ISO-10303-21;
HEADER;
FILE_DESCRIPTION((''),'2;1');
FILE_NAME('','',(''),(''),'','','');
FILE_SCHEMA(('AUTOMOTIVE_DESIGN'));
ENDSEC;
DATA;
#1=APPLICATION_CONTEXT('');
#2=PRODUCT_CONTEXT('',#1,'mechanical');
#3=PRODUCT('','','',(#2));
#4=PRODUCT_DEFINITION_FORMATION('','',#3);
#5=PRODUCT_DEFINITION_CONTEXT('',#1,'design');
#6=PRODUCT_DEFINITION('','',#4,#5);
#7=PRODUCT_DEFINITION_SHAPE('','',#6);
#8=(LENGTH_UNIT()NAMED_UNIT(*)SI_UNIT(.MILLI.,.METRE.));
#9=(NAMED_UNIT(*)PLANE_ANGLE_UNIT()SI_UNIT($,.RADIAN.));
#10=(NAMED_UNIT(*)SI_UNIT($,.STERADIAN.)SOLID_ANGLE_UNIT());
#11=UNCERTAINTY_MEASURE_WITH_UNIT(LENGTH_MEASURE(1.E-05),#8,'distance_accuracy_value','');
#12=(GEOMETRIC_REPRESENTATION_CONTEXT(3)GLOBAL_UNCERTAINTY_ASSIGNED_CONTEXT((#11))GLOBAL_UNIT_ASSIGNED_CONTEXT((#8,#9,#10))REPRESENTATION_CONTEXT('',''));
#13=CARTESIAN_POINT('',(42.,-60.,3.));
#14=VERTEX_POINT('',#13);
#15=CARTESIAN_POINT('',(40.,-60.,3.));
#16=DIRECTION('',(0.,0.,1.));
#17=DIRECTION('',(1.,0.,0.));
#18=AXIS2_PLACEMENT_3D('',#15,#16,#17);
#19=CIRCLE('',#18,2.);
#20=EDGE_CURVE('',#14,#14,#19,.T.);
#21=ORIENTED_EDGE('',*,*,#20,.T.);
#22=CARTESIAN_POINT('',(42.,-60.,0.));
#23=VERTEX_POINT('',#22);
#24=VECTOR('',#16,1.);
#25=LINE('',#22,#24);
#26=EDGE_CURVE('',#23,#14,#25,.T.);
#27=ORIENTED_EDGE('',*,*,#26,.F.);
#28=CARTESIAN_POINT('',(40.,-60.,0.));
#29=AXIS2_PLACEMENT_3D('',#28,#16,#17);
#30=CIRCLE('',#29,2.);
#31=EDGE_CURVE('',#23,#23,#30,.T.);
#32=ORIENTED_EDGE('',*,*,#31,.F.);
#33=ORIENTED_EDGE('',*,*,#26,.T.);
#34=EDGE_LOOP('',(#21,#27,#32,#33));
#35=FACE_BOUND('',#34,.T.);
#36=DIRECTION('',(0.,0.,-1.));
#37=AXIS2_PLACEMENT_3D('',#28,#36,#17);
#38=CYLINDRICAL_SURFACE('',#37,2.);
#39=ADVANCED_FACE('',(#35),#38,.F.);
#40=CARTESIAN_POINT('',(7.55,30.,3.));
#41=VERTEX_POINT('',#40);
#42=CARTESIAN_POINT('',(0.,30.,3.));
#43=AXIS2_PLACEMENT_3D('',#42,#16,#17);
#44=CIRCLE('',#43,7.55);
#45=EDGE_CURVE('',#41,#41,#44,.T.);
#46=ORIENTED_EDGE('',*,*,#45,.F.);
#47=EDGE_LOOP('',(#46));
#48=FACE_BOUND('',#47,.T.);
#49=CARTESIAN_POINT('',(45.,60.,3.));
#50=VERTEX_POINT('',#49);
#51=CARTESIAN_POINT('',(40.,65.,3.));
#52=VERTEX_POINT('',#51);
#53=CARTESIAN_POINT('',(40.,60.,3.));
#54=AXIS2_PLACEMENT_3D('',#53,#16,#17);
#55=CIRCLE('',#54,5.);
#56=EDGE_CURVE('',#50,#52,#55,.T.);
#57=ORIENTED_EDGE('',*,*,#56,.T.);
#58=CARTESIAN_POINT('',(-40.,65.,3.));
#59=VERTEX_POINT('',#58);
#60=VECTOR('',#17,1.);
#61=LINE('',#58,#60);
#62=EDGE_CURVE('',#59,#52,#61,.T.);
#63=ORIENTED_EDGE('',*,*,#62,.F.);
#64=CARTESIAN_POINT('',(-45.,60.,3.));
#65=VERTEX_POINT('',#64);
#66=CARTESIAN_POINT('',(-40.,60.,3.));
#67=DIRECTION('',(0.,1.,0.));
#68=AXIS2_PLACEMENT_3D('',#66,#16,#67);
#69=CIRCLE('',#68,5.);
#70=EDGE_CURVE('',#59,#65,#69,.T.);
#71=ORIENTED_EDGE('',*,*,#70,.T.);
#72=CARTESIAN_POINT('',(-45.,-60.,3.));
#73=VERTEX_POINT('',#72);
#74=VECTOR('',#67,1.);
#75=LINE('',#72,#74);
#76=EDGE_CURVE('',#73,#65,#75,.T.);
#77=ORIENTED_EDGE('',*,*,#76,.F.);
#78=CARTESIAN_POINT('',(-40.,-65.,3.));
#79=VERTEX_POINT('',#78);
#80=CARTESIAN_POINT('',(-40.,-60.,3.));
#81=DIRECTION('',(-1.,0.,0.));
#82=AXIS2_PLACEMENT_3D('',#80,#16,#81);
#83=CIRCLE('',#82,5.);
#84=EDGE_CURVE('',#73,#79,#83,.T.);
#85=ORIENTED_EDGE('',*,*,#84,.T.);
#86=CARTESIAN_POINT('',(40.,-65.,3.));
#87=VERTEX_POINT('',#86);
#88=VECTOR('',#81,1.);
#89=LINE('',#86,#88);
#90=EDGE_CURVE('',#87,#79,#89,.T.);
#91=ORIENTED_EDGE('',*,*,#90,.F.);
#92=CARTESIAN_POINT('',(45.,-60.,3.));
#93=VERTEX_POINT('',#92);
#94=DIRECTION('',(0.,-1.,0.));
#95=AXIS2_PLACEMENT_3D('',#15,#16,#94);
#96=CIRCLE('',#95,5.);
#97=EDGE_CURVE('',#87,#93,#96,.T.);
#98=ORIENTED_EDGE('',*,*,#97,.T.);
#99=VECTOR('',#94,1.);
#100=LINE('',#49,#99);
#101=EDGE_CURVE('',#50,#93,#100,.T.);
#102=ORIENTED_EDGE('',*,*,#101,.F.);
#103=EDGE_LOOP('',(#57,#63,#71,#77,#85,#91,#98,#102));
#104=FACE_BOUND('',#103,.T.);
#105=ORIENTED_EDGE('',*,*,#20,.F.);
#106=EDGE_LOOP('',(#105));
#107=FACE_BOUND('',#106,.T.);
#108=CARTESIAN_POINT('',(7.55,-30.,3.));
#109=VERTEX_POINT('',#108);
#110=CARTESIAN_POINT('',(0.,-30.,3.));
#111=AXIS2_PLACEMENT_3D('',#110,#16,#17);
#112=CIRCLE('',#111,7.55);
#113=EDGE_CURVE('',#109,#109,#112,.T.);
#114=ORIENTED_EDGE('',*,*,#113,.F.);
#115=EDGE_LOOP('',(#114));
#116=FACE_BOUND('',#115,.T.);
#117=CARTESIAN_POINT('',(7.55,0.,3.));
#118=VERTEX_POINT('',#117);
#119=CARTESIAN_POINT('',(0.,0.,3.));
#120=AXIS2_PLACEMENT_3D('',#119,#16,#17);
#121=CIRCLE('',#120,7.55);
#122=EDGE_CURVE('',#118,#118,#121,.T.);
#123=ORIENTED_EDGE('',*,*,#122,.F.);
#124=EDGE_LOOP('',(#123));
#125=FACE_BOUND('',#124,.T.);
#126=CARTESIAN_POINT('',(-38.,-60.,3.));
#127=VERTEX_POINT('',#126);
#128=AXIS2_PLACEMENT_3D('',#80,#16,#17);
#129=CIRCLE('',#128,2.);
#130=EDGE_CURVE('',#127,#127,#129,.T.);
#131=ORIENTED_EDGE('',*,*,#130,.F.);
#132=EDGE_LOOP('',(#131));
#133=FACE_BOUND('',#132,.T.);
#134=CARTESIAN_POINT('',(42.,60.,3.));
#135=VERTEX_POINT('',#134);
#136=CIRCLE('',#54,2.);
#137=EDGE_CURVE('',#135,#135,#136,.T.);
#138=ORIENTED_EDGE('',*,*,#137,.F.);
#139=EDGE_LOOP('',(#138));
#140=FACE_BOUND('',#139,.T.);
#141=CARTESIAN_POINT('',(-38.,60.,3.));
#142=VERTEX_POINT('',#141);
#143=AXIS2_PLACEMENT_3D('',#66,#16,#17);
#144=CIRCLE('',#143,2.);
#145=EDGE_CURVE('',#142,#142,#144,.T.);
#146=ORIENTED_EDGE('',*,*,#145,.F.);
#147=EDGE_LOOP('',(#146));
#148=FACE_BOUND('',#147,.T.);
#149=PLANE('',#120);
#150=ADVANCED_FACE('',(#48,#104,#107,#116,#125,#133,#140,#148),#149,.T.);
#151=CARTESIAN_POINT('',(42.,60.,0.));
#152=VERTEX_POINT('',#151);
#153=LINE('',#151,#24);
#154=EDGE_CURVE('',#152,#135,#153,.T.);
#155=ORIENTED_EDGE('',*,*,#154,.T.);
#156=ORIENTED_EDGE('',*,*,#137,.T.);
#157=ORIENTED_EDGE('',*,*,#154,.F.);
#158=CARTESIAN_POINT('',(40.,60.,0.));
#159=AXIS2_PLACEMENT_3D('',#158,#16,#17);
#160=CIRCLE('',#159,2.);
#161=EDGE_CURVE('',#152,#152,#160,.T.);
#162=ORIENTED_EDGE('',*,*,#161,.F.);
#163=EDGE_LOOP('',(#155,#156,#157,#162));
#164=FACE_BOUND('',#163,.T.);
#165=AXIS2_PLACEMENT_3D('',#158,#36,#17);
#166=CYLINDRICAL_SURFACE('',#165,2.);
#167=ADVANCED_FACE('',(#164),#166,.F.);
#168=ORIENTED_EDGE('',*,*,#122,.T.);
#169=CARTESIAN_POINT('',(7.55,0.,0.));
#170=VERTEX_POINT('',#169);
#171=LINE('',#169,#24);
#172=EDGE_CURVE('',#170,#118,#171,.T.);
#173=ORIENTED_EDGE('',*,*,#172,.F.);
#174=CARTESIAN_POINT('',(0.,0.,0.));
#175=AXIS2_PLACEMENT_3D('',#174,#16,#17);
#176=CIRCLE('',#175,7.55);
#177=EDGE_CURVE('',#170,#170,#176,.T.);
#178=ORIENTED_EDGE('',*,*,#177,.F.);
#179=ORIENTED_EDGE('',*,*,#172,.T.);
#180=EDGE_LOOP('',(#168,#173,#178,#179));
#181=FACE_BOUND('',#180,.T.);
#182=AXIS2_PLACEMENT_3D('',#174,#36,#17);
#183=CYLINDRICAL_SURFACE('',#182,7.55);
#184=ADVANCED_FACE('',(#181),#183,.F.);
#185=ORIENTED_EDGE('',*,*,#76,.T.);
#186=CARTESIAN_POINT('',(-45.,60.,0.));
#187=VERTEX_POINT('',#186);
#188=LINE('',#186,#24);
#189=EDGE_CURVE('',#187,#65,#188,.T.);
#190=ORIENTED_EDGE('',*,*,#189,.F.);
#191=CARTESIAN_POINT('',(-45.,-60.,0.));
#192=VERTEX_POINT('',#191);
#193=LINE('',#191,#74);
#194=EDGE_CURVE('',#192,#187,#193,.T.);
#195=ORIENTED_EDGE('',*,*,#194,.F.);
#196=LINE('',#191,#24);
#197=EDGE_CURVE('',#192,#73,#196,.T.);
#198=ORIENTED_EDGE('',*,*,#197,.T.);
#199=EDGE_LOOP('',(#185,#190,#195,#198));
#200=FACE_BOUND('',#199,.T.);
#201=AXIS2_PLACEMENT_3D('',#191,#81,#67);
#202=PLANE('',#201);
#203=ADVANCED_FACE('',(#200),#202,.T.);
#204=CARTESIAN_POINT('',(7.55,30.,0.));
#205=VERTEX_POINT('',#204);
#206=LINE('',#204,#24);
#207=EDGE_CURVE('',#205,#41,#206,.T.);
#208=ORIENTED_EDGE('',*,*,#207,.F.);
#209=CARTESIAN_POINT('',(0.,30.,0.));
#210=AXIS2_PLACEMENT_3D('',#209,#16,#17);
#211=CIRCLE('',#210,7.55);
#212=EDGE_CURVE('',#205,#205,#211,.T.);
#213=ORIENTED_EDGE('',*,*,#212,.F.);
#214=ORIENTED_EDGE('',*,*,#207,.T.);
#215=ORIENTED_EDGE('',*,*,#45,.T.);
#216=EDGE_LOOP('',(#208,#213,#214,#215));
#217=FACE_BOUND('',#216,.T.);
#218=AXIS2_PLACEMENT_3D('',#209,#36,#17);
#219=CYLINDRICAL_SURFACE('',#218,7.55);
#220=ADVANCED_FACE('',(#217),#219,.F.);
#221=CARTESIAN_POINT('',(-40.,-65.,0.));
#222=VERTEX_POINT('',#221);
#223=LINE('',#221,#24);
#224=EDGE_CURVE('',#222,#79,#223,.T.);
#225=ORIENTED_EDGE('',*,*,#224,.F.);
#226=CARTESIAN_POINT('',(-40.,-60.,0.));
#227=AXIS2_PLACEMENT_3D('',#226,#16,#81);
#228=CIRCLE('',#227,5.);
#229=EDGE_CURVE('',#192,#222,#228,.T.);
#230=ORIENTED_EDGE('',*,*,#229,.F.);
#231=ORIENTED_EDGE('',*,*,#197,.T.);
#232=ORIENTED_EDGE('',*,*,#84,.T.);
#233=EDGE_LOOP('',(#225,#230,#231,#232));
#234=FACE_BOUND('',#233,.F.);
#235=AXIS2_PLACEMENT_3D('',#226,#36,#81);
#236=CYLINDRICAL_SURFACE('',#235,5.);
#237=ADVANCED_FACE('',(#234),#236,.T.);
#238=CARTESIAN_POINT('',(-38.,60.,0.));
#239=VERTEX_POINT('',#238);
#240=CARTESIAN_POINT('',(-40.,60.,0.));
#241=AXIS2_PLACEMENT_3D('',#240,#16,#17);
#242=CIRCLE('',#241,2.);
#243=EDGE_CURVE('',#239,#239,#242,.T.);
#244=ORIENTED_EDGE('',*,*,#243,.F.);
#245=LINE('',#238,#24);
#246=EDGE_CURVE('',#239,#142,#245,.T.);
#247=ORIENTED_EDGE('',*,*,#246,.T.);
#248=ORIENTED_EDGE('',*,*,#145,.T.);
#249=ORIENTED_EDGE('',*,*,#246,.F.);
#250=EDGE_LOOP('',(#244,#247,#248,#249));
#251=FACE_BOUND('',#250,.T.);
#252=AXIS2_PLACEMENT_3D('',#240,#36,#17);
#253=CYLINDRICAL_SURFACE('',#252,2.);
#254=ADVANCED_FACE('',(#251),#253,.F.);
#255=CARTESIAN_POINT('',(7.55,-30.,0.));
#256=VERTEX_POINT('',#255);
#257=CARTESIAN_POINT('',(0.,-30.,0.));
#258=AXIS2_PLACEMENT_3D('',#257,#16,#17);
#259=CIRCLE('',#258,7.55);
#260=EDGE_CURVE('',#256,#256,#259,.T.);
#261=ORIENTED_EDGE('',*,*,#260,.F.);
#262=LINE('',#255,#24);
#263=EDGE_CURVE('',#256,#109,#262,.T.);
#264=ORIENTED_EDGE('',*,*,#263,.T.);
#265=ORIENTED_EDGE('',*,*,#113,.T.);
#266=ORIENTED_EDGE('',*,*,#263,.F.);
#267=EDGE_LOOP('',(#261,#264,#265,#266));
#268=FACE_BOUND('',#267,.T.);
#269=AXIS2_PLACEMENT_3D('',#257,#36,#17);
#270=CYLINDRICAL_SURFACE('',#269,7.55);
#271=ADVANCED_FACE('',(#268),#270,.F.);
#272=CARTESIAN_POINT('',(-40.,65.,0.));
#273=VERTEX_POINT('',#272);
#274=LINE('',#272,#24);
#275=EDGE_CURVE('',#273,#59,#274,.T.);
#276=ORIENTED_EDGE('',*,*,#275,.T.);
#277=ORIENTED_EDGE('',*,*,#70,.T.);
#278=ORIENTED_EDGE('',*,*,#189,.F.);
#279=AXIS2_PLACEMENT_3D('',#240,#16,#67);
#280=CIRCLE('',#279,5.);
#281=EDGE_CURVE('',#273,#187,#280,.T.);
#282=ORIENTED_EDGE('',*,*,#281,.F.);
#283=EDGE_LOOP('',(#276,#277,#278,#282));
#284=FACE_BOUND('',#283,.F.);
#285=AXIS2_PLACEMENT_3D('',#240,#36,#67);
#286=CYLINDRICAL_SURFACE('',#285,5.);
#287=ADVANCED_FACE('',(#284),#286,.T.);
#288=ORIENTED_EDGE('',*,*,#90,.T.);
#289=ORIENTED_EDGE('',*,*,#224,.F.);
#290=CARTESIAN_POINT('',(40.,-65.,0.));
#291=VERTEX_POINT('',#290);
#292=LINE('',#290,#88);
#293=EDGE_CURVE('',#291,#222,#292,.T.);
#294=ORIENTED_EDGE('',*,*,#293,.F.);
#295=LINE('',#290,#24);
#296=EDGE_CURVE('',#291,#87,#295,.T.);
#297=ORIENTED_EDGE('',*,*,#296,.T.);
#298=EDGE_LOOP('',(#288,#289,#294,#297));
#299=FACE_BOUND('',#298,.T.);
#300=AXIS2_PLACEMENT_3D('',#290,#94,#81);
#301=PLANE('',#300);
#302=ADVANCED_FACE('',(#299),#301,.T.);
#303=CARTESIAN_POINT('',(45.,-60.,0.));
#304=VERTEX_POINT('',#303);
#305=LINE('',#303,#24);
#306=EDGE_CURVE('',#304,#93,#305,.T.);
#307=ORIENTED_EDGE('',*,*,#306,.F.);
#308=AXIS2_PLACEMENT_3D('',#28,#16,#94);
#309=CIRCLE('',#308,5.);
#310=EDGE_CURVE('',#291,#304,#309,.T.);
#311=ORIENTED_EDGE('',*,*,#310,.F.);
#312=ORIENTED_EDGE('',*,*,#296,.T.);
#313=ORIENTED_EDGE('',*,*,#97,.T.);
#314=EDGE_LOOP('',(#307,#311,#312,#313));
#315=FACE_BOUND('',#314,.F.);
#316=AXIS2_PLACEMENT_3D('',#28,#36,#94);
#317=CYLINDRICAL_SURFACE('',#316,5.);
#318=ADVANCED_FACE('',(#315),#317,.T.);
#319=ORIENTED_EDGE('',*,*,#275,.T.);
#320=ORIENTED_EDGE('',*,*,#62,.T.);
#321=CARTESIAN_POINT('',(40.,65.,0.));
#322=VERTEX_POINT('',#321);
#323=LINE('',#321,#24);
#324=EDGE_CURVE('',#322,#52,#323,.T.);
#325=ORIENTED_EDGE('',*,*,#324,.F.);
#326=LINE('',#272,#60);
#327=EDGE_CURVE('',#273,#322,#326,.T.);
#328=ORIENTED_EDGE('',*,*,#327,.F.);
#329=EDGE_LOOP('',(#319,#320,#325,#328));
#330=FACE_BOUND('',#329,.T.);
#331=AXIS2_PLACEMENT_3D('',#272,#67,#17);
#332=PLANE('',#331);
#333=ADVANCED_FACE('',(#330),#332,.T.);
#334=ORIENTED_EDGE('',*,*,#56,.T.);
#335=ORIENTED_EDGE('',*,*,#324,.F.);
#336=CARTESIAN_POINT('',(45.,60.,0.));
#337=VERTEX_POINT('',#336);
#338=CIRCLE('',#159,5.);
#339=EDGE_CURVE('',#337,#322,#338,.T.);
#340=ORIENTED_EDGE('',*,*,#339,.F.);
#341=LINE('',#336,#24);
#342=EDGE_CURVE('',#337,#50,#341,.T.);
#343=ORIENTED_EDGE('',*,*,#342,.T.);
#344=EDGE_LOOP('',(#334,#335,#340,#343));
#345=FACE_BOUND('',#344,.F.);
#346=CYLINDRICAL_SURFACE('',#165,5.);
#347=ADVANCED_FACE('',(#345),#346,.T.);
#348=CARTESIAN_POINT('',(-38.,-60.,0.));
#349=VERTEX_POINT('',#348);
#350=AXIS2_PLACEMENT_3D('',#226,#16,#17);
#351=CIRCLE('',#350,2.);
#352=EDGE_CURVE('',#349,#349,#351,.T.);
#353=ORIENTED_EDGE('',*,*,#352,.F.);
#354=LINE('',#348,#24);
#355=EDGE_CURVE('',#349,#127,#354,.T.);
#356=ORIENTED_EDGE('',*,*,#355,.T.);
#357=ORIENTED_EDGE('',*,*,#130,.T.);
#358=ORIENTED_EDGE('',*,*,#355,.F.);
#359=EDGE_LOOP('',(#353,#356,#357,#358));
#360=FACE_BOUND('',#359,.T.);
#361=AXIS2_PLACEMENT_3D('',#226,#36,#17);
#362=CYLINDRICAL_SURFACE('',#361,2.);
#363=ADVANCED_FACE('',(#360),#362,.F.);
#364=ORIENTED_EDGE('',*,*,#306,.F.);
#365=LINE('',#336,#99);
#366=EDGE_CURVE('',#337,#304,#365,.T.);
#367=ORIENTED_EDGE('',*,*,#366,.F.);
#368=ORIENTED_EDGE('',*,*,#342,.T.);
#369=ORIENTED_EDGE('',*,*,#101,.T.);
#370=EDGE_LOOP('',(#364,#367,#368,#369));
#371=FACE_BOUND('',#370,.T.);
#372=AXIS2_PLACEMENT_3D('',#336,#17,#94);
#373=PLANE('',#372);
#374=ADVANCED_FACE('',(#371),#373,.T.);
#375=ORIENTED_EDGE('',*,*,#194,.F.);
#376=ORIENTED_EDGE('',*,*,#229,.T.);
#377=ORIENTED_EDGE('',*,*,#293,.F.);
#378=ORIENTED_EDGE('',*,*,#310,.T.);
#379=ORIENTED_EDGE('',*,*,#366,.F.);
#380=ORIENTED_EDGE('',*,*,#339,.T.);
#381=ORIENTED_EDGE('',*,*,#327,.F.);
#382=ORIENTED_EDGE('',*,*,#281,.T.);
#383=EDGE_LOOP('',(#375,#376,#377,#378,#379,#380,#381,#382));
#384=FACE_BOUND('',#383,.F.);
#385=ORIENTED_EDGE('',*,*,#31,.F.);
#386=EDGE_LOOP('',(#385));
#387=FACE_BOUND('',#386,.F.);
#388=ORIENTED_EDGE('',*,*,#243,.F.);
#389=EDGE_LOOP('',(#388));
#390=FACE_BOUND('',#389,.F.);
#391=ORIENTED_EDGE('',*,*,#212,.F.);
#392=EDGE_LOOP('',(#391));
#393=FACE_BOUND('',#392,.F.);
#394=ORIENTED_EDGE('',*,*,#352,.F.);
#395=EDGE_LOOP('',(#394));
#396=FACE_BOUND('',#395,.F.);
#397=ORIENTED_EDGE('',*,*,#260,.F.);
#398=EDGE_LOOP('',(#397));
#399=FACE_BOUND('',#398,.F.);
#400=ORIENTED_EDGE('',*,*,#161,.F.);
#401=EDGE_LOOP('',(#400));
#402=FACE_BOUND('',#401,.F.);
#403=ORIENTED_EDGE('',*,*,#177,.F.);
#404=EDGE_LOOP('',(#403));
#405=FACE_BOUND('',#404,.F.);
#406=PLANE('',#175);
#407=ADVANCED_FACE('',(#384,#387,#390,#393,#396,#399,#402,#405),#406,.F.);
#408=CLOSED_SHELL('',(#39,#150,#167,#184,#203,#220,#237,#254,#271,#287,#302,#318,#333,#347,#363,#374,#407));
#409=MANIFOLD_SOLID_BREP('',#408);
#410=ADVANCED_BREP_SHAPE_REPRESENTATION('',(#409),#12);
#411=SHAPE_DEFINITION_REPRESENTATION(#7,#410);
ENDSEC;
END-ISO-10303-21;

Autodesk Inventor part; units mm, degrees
ref_plane "YZ Plane" through (0, 0, 0) normal (1, 0, 0) x (0, 1, 0)
ref_plane "XZ Plane" through (0, 0, 0) normal (0, 1, 0) x (-1, 0, 0)
ref_plane "XY Plane" through (0, 0, 0) normal (0, 0, 1) x (1, 0, 0)
sketch "Sketch1" plane through (0, 0, 0) normal (0, 0, 1) x (1, 0, 0)
  line L0 (40, -65) -> (-40, -65)
  line L1 (-45, -60) -> (-45, 60)
  line L2 (-40, 65) -> (40, 65)
  line L3 (45, 60) -> (45, -60)
  line L4 (-40, -60) -> (40, -60) construction
  line L5 (40, -60) -> (40, 60) construction
  line L6 (40, 60) -> (-40, 60) construction
  line L7 (-40, 60) -> (-40, -60) construction
  line L8 (-40, -60) -> (40, 60) construction
  line L9 (40, -60) -> (-40, 60) construction
  circle A0 centre (-40, 60) radius 2
  circle A1 centre (40, 60) radius 2
  circle A2 centre (40, -60) radius 2
  circle A3 centre (-40, -60) radius 2
  arc A4 (40, -65) -> (45, -60) centre (40, -60) ccw
  arc A5 (-40, 65) -> (-45, 60) centre (-40, 60) ccw
  arc A6 (45, 60) -> (40, 65) centre (40, 60) ccw
  arc A7 (-45, -60) -> (-40, -65) centre (-40, -60) ccw
  circle A8 centre (0, 0) radius 7.55
  circle A9 centre (0, 30) radius 7.55
  circle A10 centre (0, -30) radius 7.55
  dimension "d3" = 5
  dimension "d4" = 5
  dimension "d5" = 4
  dimension "d17" = 130
  dimension "d20" = 15.1
  dimension "d22" = 30
  dimension "d23" = 30
  dimension "d24" = 45
  dimension "d27" = 90
extrude "Extrusion2" add sketch "Sketch1" along normal blind 3
equation "\"d3\" = Freistellung_Eckbohrungen"
equation "\"d4\" = d3"
equation "\"d5\" = Durchmesser_Bohrung"
equation "\"d17\" = Hoehe"
equation "\"d20\" = Taster_Durchmesser + epsilon"
equation "\"d22\" = Taster_Abstand"
equation "\"d23\" = d22"
equation "\"d24\" = 0.5 * d27"
equation "\"d25\" = Plattenstaerke"
equation "\"Plattenstaerke\" = 3"
equation "\"Eckrundung\" = 4"
equation "\"Hoehe\" = 130"
equation "\"Breite\" = 90"
equation "\"Freistellung_Eckbohrungen\" = 5"
equation "\"Durchmesser_Bohrung\" = 4"
equation "\"Taster_Durchmesser\" = 15"
equation "\"epsilon\" = 0.1"
equation "\"Taster_Abstand\" = 30"
properties part number "frontplatte" material "PMMA Plastic"
